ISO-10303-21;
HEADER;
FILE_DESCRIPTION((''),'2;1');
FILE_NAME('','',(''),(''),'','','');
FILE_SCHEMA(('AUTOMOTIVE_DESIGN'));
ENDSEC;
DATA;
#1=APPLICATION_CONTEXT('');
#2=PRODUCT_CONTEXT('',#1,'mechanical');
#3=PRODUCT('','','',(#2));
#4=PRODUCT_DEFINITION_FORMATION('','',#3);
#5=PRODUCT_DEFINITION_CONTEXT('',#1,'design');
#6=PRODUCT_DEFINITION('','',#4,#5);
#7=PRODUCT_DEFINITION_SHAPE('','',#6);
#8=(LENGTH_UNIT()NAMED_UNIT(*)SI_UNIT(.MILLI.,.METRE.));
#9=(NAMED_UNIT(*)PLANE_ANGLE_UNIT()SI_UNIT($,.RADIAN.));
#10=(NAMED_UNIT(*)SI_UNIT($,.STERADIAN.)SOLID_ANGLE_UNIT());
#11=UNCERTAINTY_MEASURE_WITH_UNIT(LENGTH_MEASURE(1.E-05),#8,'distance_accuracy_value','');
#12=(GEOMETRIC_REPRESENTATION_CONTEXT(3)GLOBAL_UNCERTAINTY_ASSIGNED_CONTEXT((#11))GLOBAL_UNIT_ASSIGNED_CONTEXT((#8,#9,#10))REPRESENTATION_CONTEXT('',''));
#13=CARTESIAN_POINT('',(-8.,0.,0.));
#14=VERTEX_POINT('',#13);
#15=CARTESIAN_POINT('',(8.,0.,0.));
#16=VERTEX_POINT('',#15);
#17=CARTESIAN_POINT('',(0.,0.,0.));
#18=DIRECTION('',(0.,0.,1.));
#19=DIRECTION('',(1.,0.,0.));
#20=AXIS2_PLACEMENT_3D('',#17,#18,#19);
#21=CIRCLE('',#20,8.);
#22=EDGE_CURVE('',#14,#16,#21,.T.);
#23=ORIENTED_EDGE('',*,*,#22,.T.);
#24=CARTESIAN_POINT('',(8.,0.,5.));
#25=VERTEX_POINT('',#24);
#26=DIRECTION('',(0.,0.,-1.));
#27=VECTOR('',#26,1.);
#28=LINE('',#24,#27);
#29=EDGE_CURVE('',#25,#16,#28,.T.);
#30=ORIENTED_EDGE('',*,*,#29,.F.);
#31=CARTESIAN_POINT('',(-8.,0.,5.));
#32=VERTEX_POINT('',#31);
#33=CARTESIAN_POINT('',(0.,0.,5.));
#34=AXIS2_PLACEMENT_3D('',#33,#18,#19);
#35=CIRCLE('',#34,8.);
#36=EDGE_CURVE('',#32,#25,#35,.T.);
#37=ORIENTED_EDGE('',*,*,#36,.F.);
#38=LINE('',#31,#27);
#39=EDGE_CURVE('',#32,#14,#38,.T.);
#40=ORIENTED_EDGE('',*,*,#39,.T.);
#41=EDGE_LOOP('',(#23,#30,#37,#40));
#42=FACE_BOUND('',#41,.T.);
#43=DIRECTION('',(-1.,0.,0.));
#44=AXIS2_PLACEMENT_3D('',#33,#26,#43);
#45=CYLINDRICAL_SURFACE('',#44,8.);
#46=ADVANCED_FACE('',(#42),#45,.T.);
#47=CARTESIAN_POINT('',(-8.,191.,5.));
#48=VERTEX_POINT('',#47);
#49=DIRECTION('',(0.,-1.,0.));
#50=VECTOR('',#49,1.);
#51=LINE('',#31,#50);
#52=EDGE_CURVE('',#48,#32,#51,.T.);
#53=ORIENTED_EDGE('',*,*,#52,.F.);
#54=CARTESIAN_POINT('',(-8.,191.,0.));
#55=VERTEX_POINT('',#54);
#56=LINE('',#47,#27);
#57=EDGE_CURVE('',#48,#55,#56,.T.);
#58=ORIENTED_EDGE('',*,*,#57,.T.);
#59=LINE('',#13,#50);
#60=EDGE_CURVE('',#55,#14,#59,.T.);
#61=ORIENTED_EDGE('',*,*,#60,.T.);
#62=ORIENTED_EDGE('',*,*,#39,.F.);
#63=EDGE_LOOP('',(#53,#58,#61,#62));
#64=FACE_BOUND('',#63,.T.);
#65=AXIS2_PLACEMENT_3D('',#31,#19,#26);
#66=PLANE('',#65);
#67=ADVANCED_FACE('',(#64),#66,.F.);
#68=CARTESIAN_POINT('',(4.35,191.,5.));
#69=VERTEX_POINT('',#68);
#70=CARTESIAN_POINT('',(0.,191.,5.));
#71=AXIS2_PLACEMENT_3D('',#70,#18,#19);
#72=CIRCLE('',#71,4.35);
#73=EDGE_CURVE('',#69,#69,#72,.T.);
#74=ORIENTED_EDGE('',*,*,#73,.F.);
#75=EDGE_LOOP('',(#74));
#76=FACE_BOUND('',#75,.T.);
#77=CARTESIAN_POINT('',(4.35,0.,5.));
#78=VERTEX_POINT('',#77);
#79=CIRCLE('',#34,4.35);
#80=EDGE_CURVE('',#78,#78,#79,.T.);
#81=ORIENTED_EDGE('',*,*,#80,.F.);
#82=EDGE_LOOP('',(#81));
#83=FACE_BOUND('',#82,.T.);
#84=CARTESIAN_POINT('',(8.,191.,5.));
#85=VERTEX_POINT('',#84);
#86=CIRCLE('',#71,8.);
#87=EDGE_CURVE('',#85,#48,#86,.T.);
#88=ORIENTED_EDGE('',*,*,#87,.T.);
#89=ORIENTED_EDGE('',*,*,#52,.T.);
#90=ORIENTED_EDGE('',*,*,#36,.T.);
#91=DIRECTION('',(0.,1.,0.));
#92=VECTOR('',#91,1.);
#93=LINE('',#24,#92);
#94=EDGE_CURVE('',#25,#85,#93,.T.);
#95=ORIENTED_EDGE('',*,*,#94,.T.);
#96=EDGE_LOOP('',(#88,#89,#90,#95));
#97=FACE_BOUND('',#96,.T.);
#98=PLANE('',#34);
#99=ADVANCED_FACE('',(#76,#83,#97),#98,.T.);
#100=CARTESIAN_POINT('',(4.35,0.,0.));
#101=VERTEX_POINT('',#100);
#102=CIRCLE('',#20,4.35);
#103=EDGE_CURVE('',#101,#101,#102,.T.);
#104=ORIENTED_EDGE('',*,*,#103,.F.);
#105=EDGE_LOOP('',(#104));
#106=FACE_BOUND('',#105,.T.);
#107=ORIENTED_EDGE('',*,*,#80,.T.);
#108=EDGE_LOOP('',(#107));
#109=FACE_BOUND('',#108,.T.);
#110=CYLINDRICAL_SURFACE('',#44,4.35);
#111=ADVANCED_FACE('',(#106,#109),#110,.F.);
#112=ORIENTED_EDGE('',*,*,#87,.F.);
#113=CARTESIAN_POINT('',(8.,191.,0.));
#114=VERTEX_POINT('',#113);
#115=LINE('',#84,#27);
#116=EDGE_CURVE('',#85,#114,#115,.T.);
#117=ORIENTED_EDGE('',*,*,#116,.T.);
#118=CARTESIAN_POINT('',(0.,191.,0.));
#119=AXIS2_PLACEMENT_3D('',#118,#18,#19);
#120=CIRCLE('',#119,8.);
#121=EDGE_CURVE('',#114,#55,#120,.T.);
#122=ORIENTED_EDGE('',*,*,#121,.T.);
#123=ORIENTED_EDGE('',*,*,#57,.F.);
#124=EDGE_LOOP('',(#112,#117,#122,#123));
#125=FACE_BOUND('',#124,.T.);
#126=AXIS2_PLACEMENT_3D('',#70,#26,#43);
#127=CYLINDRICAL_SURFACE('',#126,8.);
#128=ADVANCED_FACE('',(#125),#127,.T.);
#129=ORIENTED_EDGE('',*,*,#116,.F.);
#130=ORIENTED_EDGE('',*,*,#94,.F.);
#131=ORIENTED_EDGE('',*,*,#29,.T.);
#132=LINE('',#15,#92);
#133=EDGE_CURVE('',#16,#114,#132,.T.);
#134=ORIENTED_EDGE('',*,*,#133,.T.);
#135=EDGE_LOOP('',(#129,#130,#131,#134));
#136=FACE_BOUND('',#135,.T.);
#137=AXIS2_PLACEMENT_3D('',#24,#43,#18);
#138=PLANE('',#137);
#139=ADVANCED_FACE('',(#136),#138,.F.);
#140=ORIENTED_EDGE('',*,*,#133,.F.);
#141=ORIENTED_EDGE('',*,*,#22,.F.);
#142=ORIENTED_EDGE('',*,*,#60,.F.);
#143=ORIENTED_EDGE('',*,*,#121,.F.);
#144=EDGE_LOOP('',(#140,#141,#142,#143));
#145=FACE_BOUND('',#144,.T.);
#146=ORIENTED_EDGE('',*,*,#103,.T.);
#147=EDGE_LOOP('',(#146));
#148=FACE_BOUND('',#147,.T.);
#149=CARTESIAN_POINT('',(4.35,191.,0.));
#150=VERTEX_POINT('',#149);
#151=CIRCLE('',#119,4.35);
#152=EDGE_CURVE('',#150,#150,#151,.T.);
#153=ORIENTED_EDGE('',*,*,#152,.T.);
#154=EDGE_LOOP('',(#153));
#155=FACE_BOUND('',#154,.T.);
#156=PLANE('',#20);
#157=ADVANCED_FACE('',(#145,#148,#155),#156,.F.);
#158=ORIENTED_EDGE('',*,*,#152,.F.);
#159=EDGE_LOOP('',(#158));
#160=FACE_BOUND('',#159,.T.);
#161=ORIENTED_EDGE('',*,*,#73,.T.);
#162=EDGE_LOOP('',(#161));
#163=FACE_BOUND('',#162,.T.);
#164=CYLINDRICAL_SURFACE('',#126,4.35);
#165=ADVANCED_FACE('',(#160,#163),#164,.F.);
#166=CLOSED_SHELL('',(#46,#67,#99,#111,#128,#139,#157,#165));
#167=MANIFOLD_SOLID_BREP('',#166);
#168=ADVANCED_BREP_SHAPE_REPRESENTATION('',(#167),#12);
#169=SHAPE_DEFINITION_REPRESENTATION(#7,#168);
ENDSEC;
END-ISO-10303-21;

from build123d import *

# Parameters (mm, degrees)
SKETCH1_R           = 4.35
BOSS_EXTRUDE1_DEPTH = 5


with BuildPart() as part:
    # Sketch1 → Boss-Extrude1 (new body)
    with BuildSketch(Plane.XY):
        with BuildLine():
            Line((-8, 0), (-8, 191))
            ThreePointArc((-8, 191), (0, 199), (8, 191))
            Line((8, 191), (8, 0))
            ThreePointArc((8, 0), (0, -8), (-8, 0))
        make_face()
        with Locations((0, 191)):
            Circle(SKETCH1_R, mode=Mode.SUBTRACT)
        Circle(SKETCH1_R, mode=Mode.SUBTRACT)
    extrude(amount=BOSS_EXTRUDE1_DEPTH)


solid = part.part
